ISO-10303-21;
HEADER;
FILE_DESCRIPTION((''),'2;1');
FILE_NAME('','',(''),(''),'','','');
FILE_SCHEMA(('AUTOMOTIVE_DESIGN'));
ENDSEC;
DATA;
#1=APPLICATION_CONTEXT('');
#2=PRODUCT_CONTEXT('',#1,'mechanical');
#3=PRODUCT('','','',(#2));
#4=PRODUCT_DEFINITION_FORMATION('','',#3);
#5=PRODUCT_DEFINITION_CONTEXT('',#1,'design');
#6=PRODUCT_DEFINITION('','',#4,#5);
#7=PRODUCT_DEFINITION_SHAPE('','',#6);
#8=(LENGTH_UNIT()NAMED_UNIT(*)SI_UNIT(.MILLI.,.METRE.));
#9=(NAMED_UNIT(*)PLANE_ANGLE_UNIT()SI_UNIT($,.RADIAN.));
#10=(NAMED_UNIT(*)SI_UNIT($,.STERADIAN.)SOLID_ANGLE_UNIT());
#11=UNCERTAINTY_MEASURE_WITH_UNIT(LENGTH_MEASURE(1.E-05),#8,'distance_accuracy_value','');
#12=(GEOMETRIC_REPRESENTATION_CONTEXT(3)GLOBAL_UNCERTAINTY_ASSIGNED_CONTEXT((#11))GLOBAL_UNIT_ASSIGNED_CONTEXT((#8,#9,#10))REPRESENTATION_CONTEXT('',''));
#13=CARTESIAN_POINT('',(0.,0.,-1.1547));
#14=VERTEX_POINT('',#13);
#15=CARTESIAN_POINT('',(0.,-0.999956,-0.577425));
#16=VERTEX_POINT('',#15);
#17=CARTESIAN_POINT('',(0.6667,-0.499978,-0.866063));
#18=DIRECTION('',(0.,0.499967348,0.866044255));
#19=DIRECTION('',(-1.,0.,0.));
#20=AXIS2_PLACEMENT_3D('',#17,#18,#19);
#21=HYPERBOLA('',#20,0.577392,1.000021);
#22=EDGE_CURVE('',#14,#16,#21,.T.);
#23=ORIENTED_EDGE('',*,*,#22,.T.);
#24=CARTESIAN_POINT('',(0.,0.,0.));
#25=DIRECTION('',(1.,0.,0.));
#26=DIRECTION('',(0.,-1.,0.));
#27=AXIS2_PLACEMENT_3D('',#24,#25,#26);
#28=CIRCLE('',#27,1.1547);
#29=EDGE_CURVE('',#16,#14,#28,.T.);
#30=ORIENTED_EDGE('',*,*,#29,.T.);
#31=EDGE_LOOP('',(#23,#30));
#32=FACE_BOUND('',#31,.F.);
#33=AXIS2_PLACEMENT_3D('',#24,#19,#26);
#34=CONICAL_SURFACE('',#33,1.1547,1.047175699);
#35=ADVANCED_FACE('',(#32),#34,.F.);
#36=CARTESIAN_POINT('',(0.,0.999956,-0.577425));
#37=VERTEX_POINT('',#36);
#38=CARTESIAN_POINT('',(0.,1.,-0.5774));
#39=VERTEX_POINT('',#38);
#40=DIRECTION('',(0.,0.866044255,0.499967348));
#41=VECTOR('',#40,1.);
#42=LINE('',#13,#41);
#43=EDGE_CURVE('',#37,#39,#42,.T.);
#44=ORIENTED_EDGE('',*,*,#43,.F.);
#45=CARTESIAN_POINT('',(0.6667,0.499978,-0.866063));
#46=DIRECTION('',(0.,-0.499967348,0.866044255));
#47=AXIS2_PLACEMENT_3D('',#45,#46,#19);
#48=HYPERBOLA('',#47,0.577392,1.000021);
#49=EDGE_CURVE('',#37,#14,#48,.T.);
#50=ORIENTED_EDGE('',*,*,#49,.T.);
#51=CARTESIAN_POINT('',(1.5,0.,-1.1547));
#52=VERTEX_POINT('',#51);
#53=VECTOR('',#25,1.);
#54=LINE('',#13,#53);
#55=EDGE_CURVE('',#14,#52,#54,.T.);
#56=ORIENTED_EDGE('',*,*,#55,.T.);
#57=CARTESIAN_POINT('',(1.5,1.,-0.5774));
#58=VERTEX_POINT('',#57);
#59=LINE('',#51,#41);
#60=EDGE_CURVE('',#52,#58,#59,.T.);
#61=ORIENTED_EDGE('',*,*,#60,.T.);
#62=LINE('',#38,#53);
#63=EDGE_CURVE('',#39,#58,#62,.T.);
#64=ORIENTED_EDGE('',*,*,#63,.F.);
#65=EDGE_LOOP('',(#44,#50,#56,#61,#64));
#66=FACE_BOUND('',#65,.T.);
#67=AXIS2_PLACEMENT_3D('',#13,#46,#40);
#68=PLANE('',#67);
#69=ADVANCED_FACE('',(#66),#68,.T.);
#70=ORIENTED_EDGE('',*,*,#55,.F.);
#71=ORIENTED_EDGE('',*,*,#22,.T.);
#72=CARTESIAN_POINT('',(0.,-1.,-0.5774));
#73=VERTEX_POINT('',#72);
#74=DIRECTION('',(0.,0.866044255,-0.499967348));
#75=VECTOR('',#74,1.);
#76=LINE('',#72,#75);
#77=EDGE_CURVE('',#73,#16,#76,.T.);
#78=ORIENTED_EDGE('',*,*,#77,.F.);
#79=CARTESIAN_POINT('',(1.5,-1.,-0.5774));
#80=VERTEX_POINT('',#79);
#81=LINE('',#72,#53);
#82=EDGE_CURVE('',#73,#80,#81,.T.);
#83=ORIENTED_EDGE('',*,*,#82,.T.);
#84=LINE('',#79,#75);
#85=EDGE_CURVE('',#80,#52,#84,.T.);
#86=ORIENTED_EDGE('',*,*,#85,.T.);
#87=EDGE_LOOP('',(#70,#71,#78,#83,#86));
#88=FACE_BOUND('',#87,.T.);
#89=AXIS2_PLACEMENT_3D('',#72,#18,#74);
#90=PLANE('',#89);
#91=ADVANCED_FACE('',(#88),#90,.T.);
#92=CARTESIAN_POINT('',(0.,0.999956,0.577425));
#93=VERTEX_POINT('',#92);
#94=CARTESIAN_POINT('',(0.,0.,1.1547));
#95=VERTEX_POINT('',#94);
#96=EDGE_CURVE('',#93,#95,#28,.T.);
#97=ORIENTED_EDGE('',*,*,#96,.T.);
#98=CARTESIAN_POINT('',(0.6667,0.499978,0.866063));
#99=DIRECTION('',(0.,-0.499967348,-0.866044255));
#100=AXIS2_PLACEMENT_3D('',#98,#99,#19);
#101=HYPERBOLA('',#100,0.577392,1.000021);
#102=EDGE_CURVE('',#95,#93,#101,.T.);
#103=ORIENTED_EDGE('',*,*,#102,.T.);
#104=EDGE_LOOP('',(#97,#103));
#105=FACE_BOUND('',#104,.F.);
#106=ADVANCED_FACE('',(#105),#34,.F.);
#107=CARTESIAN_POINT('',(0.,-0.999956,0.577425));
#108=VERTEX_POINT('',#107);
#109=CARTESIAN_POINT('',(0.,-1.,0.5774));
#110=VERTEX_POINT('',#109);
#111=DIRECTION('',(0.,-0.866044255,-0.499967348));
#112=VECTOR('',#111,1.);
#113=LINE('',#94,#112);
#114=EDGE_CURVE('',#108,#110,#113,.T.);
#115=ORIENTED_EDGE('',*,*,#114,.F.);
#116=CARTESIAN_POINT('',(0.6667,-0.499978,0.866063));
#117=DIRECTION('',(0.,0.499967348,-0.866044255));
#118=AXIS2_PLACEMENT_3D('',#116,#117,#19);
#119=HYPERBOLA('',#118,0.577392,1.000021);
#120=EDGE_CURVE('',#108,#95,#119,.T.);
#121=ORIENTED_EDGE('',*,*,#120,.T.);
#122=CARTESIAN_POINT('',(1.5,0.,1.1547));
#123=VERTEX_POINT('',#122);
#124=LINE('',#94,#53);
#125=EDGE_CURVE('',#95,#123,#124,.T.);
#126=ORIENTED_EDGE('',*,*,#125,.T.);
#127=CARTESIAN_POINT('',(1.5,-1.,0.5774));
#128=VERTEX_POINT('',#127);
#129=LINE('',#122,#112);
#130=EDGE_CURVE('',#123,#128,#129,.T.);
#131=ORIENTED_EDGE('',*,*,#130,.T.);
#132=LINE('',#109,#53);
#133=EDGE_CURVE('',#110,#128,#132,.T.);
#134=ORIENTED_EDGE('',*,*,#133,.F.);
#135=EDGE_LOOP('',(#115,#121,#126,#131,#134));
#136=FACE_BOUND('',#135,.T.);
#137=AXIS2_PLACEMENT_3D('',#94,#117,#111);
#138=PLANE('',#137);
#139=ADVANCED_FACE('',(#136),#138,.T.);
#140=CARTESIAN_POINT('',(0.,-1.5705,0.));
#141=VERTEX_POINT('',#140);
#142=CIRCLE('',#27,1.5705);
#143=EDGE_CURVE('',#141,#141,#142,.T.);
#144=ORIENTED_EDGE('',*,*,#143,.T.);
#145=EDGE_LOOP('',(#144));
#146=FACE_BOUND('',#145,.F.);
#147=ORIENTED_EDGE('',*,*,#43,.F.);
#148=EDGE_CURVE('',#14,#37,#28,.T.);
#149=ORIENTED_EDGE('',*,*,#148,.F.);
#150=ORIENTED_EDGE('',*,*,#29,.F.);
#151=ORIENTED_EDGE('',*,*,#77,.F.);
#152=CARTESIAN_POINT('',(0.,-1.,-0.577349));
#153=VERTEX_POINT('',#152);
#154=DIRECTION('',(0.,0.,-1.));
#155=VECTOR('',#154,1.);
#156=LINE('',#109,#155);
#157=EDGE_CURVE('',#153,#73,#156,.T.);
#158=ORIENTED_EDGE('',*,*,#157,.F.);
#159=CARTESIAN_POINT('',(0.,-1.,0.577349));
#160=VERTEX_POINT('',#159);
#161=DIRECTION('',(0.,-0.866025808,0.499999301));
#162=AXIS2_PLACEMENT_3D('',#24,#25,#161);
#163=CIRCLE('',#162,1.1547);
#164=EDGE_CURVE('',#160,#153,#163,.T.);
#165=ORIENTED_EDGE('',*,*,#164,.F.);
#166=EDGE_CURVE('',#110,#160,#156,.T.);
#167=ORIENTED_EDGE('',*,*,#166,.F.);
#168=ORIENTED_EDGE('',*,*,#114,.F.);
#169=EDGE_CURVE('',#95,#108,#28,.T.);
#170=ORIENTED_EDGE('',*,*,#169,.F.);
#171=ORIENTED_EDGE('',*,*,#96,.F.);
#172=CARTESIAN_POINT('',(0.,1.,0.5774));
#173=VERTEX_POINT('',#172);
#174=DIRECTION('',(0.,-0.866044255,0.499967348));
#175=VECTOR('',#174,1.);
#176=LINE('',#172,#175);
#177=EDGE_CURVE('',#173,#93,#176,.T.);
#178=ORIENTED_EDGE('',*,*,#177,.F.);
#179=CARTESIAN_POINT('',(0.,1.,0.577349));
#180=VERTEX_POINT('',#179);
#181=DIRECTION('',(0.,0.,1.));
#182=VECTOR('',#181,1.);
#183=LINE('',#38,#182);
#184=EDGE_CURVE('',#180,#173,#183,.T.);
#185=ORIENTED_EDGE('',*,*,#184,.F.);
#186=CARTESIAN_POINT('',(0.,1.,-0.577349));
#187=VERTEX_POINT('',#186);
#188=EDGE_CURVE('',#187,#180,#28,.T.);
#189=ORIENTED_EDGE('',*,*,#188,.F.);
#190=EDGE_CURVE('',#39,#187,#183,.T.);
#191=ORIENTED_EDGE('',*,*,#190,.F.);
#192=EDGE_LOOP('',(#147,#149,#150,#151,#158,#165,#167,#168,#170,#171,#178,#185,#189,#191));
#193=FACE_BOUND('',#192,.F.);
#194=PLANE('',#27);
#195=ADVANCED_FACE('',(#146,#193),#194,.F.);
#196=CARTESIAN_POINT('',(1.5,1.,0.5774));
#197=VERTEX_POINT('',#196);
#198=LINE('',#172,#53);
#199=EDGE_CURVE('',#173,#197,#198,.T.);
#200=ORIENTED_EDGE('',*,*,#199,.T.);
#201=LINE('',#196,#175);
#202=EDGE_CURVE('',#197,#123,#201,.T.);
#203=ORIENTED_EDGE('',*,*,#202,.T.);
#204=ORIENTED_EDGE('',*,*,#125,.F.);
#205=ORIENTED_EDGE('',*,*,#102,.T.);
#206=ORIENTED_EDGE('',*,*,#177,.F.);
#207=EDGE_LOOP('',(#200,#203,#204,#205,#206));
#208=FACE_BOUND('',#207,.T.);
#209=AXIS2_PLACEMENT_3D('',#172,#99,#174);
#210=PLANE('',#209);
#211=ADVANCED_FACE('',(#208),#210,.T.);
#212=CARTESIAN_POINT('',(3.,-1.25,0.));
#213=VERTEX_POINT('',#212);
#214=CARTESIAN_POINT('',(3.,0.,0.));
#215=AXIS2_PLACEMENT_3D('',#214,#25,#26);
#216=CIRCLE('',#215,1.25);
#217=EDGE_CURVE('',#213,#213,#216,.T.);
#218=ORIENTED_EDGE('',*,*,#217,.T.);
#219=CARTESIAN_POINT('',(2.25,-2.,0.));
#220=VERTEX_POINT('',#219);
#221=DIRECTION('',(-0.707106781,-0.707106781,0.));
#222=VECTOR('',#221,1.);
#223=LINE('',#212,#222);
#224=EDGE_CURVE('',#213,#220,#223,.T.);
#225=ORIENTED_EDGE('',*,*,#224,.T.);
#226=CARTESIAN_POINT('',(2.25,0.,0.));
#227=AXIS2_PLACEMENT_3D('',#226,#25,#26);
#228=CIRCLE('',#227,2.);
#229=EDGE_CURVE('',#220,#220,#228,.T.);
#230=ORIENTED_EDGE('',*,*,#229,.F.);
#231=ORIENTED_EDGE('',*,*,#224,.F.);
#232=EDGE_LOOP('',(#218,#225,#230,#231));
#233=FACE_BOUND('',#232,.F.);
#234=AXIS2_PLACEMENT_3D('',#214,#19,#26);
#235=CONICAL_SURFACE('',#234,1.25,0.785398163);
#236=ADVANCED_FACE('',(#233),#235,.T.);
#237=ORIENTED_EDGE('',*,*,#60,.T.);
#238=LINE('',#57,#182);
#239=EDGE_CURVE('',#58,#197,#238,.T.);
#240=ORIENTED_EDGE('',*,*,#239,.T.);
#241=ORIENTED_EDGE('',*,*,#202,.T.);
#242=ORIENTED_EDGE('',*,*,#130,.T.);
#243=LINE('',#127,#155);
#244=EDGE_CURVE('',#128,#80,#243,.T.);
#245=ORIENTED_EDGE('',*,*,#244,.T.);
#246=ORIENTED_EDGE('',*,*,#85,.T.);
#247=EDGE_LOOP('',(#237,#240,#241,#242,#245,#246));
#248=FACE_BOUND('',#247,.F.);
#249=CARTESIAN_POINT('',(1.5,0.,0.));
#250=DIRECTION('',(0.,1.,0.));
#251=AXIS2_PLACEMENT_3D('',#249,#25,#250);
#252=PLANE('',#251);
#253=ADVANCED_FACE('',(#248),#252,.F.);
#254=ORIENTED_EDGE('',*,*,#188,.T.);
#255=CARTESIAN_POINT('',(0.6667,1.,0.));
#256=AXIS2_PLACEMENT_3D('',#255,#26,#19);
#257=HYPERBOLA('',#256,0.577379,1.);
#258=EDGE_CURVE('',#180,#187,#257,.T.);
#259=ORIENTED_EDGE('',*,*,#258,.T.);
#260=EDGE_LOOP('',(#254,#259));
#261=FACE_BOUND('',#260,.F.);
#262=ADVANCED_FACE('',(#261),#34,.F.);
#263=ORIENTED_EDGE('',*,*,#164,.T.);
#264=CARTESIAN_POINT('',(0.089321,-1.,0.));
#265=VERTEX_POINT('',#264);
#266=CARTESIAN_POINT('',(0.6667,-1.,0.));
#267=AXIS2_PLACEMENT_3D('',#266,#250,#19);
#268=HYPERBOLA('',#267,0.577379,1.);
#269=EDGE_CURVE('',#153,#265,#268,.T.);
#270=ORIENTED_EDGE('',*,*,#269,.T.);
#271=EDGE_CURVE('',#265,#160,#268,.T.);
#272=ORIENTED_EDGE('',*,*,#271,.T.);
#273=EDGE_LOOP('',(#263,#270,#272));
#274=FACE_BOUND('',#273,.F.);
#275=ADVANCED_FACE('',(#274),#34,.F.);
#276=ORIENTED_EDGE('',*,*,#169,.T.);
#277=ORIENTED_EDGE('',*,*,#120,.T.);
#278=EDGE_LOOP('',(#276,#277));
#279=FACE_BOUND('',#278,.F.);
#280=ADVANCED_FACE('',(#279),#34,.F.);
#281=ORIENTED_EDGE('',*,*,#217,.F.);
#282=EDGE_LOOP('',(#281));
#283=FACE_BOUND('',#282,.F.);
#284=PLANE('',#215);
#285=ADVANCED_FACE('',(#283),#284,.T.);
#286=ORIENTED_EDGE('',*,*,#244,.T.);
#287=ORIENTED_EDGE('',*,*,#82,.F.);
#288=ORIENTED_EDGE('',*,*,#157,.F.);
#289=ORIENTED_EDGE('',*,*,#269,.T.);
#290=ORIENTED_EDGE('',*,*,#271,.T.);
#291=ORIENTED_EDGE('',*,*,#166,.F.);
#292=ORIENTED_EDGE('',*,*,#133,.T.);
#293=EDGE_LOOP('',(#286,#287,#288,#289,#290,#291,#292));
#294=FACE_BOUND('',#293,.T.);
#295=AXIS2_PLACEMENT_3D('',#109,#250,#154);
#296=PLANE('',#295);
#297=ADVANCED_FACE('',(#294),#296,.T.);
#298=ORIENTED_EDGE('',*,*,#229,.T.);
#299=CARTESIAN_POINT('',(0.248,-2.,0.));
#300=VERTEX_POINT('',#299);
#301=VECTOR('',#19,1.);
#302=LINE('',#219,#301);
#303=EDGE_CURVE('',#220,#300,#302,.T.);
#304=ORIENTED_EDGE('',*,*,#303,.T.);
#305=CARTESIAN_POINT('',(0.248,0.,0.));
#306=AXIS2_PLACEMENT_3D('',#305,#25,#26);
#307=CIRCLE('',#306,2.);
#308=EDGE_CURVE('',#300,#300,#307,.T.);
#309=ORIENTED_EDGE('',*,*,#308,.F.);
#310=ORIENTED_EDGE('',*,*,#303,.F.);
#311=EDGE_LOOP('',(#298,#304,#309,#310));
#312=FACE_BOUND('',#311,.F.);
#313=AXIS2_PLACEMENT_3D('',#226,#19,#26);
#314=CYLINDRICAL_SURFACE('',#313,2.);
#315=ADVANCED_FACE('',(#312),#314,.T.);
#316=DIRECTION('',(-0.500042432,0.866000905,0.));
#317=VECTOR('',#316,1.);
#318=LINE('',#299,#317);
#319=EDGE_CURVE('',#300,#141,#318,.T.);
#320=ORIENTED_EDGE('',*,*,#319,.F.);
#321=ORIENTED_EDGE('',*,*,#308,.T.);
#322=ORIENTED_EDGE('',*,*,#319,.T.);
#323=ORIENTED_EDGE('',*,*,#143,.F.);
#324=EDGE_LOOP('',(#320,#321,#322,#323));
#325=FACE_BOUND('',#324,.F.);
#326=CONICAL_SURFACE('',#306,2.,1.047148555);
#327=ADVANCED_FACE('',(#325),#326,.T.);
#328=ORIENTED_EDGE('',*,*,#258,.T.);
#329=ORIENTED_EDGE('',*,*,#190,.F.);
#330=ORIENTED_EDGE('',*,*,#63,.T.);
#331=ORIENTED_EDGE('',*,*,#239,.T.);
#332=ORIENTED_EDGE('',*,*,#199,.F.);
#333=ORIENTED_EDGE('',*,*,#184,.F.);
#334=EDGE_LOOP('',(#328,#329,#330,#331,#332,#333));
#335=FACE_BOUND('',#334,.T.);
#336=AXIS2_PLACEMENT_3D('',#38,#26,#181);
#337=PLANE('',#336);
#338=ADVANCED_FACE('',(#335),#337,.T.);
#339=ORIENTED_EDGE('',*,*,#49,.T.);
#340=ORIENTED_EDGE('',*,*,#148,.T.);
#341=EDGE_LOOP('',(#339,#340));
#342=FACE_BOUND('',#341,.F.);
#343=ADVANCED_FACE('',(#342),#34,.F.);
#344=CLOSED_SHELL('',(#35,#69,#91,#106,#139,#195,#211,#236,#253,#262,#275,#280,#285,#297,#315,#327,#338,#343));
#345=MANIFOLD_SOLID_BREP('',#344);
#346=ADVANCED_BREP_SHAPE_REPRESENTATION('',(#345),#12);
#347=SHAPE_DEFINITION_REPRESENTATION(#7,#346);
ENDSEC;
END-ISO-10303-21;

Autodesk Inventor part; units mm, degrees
sketch "Sketch_1" plane through (0, 0, 0) normal (0, 0, 1) x (1, 0, 0)
  line L0 (0.6667, 0) -> (3, 0)
  line L1 (3, 0) -> (3, -1.25)
  line L2 (3, -1.25) -> (2.25, -2)
  line L3 (2.25, -2) -> (0.248, -2)
  line L4 (0.248, -2) -> (0, -1.5705)
  line L5 (0, -1.5705) -> (0, -1.1547)
  line L6 (0, -1.1547) -> (0.6667, 0)
  line L7 (0.6667, 0) -> (3, 0)
revolve "Revolution1" add sketch "Sketch_1" angle 360 about axis through (0.6667, 0, 0) along (1, 0, 0)
thread "Thread1" size "M4x0.7" class "6g" standard "ISO Metric profile" full length
sketch "Sketch_2" plane through (0, 0, 0) normal (1, 0, 0) x (0, 1, 0)
  line L0 (0, 1.1547) -> (-1, 0.5774)
  line L1 (-1, 0.5774) -> (-1, -0.5774)
  line L2 (-1, -0.5774) -> (0, -1.1547)
  line L3 (0, -1.1547) -> (1, -0.5774)
  line L4 (1, -0.5774) -> (1, 0.5774)
  line L5 (1, 0.5774) -> (0, 1.1547)
extrude "Extrusion1" cut sketch "Sketch_2" along normal blind 1.5
ref_plane "IP1_XY" through (0, 0, 0) normal (1, 0, 0) x (0, 0, -1)
ref_plane "IP1_YZ" through (0, 0, 0) normal (0, 0, -1) x (0, 1, 0)
ref_plane "IP1_ZX" through (0, 0, 0) normal (0, 1, 0) x (1, 0, 0)
ref_plane "IP2_XY" through (3, 0, 0) normal (1, 0, 0) x (0, 0, -1)
ref_plane "IP2_YZ" through (3, 0, 0) normal (0, 0, -1) x (0, 1, 0)
ref_plane "IP2_ZX" through (3, 0, 0) normal (0, 1, 0) x (1, 0, 0)
properties part number "Hexagon socket set screw with flat point DIN 913 - M4x3"
